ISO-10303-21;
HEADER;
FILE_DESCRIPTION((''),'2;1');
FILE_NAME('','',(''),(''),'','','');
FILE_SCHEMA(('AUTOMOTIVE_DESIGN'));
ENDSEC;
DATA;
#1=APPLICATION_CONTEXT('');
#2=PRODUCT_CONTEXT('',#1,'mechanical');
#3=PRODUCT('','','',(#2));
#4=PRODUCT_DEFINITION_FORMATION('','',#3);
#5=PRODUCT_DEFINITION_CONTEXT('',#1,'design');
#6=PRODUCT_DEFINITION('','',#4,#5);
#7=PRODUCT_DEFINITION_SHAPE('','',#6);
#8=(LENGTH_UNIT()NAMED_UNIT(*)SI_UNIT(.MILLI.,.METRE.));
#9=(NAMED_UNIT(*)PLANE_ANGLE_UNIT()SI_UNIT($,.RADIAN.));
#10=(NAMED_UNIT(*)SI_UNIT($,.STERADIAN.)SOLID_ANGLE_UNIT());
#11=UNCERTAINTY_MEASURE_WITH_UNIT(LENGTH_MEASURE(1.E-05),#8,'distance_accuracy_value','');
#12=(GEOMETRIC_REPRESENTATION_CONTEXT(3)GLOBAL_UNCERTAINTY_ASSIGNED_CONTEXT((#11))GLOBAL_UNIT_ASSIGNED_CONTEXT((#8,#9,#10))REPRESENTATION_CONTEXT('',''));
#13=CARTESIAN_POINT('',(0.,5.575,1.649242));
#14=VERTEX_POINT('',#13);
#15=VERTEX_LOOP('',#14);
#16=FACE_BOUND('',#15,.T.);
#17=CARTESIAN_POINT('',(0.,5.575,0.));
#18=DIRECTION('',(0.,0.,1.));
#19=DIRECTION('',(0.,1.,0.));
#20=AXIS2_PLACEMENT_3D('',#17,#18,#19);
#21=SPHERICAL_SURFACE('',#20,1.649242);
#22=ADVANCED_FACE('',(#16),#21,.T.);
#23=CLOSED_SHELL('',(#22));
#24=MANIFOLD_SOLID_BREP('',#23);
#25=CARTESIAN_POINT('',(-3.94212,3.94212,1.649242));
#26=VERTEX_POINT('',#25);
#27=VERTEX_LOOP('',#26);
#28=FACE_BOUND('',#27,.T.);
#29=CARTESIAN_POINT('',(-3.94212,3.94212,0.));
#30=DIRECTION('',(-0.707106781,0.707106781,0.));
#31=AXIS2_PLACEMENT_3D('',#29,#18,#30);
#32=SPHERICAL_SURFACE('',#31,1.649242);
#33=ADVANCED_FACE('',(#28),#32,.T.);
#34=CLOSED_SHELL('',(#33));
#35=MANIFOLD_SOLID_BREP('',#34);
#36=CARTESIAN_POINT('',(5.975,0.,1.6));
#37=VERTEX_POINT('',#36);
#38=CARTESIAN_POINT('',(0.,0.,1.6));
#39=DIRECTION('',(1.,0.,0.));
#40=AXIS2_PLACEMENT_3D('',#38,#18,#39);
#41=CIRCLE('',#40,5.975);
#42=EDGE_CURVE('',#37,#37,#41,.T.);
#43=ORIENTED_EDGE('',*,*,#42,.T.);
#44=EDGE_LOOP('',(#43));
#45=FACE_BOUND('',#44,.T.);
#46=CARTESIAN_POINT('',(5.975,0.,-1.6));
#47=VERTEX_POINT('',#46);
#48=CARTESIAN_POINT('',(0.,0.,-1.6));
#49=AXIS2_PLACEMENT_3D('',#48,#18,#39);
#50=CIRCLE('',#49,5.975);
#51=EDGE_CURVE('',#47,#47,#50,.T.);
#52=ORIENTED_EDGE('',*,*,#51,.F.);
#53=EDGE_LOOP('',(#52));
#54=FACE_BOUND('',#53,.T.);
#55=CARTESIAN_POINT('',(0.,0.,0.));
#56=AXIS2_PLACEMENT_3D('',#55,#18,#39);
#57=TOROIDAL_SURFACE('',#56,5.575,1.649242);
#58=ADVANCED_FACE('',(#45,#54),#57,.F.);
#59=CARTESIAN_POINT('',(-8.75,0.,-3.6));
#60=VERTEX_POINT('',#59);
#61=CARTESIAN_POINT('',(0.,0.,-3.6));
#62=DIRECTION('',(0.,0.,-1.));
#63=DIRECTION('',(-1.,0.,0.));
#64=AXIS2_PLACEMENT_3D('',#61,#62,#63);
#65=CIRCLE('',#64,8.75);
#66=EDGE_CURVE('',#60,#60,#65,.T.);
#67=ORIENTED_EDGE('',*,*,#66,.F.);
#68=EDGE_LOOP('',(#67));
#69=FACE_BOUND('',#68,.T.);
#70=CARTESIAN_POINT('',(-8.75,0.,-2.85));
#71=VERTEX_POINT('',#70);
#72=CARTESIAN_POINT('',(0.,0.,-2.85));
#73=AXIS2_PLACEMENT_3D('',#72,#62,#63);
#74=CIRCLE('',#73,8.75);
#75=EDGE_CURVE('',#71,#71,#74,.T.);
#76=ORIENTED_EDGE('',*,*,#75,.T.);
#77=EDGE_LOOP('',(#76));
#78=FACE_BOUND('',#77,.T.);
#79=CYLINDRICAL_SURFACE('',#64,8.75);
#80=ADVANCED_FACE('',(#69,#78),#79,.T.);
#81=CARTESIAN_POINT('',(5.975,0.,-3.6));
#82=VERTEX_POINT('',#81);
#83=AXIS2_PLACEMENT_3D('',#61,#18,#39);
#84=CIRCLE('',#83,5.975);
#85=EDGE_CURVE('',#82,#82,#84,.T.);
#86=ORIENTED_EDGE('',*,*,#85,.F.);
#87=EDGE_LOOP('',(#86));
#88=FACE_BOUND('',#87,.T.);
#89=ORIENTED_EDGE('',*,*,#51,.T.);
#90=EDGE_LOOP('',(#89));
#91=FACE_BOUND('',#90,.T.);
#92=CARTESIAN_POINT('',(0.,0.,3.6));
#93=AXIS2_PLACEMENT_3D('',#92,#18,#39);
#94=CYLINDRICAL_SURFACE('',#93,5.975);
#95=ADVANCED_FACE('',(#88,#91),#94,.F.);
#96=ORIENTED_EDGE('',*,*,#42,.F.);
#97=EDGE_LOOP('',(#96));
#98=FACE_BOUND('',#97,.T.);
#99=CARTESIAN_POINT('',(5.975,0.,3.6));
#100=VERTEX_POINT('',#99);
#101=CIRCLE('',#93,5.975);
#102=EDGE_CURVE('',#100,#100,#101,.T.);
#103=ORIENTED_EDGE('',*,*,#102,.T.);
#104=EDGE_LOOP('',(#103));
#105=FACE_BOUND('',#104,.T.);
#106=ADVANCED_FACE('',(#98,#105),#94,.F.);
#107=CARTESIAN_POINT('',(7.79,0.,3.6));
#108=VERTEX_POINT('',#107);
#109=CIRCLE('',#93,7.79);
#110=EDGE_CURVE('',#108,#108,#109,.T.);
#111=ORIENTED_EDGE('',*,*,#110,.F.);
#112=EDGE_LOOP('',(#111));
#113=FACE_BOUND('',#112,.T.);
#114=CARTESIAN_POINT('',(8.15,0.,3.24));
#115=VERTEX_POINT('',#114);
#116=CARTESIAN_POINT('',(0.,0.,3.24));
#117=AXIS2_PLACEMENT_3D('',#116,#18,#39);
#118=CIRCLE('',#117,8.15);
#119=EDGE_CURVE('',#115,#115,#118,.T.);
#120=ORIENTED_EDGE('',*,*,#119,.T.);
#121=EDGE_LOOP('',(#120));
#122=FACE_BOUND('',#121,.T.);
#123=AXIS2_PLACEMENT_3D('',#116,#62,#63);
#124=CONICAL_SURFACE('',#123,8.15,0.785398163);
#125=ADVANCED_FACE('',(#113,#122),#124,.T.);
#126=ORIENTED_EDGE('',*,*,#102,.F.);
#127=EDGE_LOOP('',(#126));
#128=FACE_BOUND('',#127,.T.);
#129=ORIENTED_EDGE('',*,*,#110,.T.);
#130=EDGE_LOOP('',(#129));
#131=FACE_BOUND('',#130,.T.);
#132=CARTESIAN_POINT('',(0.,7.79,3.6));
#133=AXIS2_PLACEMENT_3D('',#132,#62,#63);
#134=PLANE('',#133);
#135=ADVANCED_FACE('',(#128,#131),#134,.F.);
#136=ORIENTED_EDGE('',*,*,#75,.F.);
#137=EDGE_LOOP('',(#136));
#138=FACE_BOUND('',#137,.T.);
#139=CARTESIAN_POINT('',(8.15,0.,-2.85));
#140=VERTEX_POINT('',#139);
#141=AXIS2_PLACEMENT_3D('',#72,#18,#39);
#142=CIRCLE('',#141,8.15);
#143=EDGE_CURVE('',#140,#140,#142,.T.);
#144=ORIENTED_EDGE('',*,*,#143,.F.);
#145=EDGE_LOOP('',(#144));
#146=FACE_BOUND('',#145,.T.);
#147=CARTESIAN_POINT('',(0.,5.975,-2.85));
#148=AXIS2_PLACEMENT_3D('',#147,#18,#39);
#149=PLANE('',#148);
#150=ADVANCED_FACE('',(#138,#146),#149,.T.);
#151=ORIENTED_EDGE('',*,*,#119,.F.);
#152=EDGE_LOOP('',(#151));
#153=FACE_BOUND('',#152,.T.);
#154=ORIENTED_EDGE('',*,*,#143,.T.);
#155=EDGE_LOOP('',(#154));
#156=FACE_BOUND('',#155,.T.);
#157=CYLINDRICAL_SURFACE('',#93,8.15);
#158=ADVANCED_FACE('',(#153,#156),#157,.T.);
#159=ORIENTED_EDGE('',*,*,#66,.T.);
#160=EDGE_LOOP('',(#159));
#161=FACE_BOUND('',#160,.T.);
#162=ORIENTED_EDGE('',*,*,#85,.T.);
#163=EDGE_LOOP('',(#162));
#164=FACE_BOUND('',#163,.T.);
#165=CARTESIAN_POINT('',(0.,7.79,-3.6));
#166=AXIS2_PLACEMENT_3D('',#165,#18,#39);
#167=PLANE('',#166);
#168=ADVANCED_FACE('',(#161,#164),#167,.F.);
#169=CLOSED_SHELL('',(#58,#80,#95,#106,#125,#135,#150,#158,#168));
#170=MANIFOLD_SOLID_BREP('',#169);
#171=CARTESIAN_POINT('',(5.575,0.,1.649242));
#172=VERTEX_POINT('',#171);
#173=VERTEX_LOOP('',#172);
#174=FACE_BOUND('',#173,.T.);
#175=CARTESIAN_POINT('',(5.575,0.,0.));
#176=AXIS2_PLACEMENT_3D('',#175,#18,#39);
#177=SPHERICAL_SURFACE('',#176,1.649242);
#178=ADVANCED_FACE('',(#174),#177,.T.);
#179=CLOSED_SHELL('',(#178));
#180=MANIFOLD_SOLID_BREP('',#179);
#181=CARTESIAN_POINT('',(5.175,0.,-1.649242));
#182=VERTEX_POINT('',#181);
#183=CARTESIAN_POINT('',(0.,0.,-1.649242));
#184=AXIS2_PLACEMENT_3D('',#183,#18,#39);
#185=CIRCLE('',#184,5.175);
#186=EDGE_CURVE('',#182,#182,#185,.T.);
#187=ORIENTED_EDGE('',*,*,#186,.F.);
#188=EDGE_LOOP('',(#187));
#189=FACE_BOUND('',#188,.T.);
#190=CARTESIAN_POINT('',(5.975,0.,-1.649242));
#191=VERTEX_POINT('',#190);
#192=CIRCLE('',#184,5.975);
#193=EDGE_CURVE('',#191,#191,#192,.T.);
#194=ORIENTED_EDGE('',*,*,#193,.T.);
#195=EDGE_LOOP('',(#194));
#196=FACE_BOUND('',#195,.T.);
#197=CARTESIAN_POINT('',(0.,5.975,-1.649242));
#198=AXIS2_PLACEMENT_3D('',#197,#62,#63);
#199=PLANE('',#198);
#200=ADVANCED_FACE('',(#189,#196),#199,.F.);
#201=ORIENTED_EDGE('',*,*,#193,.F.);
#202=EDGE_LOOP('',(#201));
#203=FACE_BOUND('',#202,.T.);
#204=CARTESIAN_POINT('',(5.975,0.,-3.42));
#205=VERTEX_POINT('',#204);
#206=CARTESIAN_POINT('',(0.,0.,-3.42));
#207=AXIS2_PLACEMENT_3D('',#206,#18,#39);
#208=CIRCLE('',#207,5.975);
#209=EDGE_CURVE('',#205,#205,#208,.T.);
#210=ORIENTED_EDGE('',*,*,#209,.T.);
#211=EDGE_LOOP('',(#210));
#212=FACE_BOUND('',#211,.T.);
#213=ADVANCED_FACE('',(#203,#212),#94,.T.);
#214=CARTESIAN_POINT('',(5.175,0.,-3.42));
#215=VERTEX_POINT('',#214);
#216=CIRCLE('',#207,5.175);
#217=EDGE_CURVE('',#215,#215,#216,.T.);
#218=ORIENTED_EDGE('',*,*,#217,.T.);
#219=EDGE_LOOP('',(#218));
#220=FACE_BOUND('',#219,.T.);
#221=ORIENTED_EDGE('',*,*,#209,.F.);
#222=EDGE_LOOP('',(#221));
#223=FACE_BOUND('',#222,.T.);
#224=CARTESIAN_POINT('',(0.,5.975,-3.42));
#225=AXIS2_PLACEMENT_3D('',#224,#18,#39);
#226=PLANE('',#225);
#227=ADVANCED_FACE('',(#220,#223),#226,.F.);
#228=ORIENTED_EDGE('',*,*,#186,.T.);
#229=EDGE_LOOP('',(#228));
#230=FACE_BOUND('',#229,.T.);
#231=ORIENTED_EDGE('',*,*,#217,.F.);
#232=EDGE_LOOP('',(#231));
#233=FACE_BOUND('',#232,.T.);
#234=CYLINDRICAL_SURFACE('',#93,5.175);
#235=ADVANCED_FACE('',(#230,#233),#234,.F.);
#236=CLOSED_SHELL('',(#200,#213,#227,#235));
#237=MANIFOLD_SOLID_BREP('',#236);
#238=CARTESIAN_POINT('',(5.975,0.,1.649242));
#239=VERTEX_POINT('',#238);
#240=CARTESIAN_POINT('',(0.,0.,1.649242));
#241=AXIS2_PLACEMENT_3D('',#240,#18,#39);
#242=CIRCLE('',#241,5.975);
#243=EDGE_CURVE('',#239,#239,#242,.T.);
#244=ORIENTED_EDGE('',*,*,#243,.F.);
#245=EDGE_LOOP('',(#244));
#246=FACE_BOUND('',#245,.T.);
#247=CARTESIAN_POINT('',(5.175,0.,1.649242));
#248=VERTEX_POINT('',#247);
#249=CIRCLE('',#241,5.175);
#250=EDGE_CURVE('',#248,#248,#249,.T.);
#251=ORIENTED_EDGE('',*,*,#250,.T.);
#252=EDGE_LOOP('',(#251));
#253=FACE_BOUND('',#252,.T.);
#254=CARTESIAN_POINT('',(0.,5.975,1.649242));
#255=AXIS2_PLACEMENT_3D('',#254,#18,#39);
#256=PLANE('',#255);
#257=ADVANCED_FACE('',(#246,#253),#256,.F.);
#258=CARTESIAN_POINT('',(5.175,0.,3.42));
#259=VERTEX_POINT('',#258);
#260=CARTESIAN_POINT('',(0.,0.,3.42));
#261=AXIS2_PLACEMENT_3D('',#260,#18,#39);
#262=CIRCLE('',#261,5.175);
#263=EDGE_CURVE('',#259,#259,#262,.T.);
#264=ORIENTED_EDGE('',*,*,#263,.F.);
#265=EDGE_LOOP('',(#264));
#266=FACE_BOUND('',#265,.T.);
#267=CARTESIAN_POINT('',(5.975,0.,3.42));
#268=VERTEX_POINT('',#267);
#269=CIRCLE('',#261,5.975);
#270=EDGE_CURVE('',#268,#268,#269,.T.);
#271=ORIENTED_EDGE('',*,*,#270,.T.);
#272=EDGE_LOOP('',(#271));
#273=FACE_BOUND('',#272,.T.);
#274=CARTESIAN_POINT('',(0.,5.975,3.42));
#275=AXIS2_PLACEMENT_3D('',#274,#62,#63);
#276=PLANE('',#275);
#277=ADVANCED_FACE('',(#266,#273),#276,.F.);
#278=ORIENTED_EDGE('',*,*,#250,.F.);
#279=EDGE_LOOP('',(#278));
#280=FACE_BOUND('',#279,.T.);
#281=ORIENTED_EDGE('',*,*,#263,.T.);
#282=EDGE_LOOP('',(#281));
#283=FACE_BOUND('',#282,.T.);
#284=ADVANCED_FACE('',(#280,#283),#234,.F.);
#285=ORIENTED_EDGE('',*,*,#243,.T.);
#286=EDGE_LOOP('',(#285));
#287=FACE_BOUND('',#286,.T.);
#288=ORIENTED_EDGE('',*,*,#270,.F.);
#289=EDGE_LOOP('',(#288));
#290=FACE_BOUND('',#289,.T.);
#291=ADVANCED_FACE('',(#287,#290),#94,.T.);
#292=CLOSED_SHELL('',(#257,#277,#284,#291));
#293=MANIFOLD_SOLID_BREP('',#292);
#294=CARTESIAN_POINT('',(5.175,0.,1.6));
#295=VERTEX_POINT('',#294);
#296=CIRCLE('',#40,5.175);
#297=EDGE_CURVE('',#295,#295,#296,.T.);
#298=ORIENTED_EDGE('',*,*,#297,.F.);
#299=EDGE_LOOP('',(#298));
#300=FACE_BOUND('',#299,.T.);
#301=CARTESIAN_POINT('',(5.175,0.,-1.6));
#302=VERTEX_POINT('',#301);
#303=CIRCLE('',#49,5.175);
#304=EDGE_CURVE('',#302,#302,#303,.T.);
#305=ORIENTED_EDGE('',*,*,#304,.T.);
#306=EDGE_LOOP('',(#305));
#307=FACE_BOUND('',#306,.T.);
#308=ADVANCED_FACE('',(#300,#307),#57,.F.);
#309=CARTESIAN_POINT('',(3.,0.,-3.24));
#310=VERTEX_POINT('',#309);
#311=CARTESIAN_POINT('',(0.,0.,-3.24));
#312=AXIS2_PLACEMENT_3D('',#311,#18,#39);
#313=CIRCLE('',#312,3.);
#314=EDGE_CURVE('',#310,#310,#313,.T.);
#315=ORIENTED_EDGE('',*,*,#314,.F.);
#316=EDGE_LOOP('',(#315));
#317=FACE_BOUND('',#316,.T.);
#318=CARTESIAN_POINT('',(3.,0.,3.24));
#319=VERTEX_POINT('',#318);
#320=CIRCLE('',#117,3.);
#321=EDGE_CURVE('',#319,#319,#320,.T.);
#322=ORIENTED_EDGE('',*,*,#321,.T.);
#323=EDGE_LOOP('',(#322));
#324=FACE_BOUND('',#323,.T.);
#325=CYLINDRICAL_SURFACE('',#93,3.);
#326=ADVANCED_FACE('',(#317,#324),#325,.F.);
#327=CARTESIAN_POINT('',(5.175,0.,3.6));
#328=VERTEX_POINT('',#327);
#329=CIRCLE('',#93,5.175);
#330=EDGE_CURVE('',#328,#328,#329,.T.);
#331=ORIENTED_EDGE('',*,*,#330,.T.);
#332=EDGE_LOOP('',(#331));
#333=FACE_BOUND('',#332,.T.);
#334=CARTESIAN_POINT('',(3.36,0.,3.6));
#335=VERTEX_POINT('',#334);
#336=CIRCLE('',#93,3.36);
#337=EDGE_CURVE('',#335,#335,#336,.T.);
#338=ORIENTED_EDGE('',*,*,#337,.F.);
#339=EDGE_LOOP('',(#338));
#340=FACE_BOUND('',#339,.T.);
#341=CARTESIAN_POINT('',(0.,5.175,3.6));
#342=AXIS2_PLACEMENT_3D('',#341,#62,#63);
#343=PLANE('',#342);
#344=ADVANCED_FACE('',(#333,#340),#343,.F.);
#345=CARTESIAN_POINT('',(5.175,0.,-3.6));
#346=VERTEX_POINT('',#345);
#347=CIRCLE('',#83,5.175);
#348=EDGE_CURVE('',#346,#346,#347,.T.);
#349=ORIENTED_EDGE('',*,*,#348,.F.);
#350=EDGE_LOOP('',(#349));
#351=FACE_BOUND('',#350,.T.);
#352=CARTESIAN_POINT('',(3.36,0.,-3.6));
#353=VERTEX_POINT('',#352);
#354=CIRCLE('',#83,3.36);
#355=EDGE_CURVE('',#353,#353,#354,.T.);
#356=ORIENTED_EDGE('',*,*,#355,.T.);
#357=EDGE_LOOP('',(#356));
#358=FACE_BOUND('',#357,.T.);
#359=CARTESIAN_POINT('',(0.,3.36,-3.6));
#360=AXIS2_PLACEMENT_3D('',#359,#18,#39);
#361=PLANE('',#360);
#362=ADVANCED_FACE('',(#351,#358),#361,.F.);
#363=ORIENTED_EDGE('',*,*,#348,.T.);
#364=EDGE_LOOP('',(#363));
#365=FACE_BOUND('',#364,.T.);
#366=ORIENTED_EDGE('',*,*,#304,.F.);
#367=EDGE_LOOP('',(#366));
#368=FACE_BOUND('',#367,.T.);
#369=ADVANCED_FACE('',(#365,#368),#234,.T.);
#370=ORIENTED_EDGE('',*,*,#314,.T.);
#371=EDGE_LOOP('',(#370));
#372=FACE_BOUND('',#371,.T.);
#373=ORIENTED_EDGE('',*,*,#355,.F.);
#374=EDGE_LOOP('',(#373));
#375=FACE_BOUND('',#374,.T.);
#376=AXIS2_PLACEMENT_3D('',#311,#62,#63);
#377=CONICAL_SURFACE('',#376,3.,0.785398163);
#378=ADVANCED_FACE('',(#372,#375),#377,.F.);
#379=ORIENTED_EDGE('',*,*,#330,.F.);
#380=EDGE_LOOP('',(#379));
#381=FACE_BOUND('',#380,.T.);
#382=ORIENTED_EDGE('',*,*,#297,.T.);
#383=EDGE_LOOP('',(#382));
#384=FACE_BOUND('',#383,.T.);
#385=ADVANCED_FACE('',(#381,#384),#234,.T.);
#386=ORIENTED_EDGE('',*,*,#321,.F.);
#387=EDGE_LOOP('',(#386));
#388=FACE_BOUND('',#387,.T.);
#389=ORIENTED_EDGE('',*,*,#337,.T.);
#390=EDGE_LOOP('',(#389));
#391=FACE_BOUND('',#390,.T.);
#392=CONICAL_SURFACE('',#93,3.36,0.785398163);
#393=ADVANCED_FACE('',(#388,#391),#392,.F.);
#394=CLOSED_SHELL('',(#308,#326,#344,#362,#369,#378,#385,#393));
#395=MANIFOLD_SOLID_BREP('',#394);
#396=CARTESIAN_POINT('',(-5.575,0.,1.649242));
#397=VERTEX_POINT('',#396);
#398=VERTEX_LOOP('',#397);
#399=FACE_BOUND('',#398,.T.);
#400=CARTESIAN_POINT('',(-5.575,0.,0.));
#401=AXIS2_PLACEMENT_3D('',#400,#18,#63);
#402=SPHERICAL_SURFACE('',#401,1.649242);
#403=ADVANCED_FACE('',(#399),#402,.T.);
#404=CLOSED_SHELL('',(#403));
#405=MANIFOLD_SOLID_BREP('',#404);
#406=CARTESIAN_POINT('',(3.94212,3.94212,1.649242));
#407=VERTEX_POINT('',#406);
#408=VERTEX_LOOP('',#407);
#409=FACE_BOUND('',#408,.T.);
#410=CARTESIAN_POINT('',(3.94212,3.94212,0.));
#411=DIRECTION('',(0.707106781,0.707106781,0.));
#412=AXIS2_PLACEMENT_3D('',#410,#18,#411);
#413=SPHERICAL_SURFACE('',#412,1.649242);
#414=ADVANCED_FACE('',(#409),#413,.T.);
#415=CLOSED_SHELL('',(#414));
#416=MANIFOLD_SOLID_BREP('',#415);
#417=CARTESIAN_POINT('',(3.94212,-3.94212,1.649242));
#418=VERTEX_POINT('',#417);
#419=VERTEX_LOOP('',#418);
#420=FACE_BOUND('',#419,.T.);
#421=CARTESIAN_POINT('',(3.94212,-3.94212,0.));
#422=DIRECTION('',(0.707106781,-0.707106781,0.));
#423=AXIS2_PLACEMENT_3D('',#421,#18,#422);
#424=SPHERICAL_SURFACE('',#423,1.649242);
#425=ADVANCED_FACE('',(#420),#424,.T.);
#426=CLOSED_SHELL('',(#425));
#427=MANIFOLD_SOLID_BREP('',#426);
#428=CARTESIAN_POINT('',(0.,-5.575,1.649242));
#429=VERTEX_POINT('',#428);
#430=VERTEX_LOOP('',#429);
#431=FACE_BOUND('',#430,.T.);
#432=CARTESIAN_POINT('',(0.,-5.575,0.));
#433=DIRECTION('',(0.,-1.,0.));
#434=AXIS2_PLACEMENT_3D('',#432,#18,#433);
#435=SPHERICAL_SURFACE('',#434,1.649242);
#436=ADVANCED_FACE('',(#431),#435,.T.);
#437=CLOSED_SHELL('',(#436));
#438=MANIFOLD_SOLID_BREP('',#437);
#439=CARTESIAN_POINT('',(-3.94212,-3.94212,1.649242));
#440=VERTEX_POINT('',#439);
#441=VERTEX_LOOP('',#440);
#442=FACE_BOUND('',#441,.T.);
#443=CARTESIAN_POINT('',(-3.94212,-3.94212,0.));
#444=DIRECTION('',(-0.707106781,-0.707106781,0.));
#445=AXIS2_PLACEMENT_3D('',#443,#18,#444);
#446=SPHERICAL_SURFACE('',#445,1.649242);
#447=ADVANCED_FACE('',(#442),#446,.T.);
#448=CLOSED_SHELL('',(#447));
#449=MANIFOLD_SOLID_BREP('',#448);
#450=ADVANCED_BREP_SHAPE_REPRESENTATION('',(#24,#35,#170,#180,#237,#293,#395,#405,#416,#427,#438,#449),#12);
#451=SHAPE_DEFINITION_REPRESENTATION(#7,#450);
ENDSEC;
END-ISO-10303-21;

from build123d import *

# Parameters (mm, degrees)
CIRPATTERN1_COUNT = 8
SKETCH5_W         = 1.77075775
SKETCH5_H         = 0.8
SKETCH6_W         = 0.75
SKETCH6_H         = 2.775


with BuildPart() as part:
    # Sketch1 → Revolve1 (revolve)
    with BuildSketch(Plane(origin=(0, 0, 0), x_dir=(0, 0, -1), z_dir=(1, 0, 0))):
        with BuildLine():
            Line((3.24, 8.15), (-3.24, 8.15))
            Line((-3.24, 8.15), (-3.6, 7.79))
            Line((-3.6, 7.79), (-3.6, 5.975))
            Line((-3.6, 5.975), (-1.6, 5.975))
            ThreePointArc((-1.6, 5.975), (0, 7.22424225), (1.6, 5.975))
            Line((1.6, 5.975), (3.6, 5.975))
            Line((3.6, 5.975), (3.6, 7.79))
            Line((3.6, 7.79), (3.24, 8.15))
        make_face()
    revolve(axis=Axis((0, 0, 3.6), (0, 0, -1)))

    # Sketch6 → Revolve6 (revolve)
    with BuildSketch(Plane(origin=(0, 0, 0), x_dir=(0, 0, -1), z_dir=(1, 0, 0))):
        with Locations((3.225, 7.3625)):
            Rectangle(SKETCH6_W, SKETCH6_H)
    revolve(axis=Axis((0, 0, -3.6), (0, 0, 1)))


with BuildPart() as body_2:
    # Sketch3 → Revolve3 (revolve)
    with BuildSketch(Plane(origin=(0, 0, 0), x_dir=(0, 0, -1), z_dir=(1, 0, 0))):
        with BuildLine():
            Line((-3.6, 5.175), (-1.6, 5.175))
            ThreePointArc((-1.6, 5.175), (0, 3.92575775), (1.6, 5.175))
            Line((1.6, 5.175), (3.6, 5.175))
            Line((3.6, 5.175), (3.6, 3.36))
            Line((3.6, 3.36), (3.24, 3))
            Line((3.24, 3), (-3.24, 3))
            Line((-3.24, 3), (-3.6, 3.36))
            Line((-3.6, 3.36), (-3.6, 5.175))
        make_face()
    revolve(axis=Axis((0, 0, 3.6), (0, 0, -1)))


with BuildPart() as body_3:
    # Sketch4 → Revolve4 (revolve)
    with BuildSketch(Plane(origin=(0, 0, 0), x_dir=(0, 0, -1), z_dir=(1, 0, 0))):
        with BuildLine():
            Line((-1.64924225, 5.575), (1.64924225, 5.575))
            ThreePointArc((1.64924225, 5.575), (0, 7.22424225), (-1.64924225, 5.575))
        make_face()
    revolve(axis=Axis((0, 5.575, 1.64924225), (0, 0, -1)))


with BuildPart() as cirpattern1_1:
    # CirPattern1: pattern copy
    add(body_3.part.rotate(Axis((0, 0, -3.6), (0, 0, 1)), 1 * 360 / CIRPATTERN1_COUNT))


with BuildPart() as cirpattern1_2:
    # CirPattern1: pattern copy
    add(body_3.part.rotate(Axis((0, 0, -3.6), (0, 0, 1)), 2 * 360 / CIRPATTERN1_COUNT))


with BuildPart() as cirpattern1_3:
    # CirPattern1: pattern copy
    add(body_3.part.rotate(Axis((0, 0, -3.6), (0, 0, 1)), 3 * 360 / CIRPATTERN1_COUNT))


with BuildPart() as cirpattern1_4:
    # CirPattern1: pattern copy
    add(body_3.part.rotate(Axis((0, 0, -3.6), (0, 0, 1)), 4 * 360 / CIRPATTERN1_COUNT))


with BuildPart() as cirpattern1_5:
    # CirPattern1: pattern copy
    add(body_3.part.rotate(Axis((0, 0, -3.6), (0, 0, 1)), 5 * 360 / CIRPATTERN1_COUNT))


with BuildPart() as cirpattern1_6:
    # CirPattern1: pattern copy
    add(body_3.part.rotate(Axis((0, 0, -3.6), (0, 0, 1)), 6 * 360 / CIRPATTERN1_COUNT))


with BuildPart() as cirpattern1_7:
    # CirPattern1: pattern copy
    add(body_3.part.rotate(Axis((0, 0, -3.6), (0, 0, 1)), 7 * 360 / CIRPATTERN1_COUNT))


with BuildPart() as body_11:
    # Sketch5 → Revolve5 (revolve)
    with BuildSketch(Plane(origin=(0, 0, 0), x_dir=(0, 0, -1), z_dir=(1, 0, 0))):
        with Locations((-2.534621125, 5.575)):
            Rectangle(SKETCH5_W, SKETCH5_H)
        with Locations((2.534621125, 5.575)):
            Rectangle(SKETCH5_W, SKETCH5_H)
    revolve(axis=Axis((0, 0, 3.6), (0, 0, -1)))


solid = Compound([part.part, body_2.part, body_3.part, cirpattern1_1.part, cirpattern1_2.part, cirpattern1_3.part, cirpattern1_4.part, cirpattern1_5.part, cirpattern1_6.part, cirpattern1_7.part, body_11.part])
